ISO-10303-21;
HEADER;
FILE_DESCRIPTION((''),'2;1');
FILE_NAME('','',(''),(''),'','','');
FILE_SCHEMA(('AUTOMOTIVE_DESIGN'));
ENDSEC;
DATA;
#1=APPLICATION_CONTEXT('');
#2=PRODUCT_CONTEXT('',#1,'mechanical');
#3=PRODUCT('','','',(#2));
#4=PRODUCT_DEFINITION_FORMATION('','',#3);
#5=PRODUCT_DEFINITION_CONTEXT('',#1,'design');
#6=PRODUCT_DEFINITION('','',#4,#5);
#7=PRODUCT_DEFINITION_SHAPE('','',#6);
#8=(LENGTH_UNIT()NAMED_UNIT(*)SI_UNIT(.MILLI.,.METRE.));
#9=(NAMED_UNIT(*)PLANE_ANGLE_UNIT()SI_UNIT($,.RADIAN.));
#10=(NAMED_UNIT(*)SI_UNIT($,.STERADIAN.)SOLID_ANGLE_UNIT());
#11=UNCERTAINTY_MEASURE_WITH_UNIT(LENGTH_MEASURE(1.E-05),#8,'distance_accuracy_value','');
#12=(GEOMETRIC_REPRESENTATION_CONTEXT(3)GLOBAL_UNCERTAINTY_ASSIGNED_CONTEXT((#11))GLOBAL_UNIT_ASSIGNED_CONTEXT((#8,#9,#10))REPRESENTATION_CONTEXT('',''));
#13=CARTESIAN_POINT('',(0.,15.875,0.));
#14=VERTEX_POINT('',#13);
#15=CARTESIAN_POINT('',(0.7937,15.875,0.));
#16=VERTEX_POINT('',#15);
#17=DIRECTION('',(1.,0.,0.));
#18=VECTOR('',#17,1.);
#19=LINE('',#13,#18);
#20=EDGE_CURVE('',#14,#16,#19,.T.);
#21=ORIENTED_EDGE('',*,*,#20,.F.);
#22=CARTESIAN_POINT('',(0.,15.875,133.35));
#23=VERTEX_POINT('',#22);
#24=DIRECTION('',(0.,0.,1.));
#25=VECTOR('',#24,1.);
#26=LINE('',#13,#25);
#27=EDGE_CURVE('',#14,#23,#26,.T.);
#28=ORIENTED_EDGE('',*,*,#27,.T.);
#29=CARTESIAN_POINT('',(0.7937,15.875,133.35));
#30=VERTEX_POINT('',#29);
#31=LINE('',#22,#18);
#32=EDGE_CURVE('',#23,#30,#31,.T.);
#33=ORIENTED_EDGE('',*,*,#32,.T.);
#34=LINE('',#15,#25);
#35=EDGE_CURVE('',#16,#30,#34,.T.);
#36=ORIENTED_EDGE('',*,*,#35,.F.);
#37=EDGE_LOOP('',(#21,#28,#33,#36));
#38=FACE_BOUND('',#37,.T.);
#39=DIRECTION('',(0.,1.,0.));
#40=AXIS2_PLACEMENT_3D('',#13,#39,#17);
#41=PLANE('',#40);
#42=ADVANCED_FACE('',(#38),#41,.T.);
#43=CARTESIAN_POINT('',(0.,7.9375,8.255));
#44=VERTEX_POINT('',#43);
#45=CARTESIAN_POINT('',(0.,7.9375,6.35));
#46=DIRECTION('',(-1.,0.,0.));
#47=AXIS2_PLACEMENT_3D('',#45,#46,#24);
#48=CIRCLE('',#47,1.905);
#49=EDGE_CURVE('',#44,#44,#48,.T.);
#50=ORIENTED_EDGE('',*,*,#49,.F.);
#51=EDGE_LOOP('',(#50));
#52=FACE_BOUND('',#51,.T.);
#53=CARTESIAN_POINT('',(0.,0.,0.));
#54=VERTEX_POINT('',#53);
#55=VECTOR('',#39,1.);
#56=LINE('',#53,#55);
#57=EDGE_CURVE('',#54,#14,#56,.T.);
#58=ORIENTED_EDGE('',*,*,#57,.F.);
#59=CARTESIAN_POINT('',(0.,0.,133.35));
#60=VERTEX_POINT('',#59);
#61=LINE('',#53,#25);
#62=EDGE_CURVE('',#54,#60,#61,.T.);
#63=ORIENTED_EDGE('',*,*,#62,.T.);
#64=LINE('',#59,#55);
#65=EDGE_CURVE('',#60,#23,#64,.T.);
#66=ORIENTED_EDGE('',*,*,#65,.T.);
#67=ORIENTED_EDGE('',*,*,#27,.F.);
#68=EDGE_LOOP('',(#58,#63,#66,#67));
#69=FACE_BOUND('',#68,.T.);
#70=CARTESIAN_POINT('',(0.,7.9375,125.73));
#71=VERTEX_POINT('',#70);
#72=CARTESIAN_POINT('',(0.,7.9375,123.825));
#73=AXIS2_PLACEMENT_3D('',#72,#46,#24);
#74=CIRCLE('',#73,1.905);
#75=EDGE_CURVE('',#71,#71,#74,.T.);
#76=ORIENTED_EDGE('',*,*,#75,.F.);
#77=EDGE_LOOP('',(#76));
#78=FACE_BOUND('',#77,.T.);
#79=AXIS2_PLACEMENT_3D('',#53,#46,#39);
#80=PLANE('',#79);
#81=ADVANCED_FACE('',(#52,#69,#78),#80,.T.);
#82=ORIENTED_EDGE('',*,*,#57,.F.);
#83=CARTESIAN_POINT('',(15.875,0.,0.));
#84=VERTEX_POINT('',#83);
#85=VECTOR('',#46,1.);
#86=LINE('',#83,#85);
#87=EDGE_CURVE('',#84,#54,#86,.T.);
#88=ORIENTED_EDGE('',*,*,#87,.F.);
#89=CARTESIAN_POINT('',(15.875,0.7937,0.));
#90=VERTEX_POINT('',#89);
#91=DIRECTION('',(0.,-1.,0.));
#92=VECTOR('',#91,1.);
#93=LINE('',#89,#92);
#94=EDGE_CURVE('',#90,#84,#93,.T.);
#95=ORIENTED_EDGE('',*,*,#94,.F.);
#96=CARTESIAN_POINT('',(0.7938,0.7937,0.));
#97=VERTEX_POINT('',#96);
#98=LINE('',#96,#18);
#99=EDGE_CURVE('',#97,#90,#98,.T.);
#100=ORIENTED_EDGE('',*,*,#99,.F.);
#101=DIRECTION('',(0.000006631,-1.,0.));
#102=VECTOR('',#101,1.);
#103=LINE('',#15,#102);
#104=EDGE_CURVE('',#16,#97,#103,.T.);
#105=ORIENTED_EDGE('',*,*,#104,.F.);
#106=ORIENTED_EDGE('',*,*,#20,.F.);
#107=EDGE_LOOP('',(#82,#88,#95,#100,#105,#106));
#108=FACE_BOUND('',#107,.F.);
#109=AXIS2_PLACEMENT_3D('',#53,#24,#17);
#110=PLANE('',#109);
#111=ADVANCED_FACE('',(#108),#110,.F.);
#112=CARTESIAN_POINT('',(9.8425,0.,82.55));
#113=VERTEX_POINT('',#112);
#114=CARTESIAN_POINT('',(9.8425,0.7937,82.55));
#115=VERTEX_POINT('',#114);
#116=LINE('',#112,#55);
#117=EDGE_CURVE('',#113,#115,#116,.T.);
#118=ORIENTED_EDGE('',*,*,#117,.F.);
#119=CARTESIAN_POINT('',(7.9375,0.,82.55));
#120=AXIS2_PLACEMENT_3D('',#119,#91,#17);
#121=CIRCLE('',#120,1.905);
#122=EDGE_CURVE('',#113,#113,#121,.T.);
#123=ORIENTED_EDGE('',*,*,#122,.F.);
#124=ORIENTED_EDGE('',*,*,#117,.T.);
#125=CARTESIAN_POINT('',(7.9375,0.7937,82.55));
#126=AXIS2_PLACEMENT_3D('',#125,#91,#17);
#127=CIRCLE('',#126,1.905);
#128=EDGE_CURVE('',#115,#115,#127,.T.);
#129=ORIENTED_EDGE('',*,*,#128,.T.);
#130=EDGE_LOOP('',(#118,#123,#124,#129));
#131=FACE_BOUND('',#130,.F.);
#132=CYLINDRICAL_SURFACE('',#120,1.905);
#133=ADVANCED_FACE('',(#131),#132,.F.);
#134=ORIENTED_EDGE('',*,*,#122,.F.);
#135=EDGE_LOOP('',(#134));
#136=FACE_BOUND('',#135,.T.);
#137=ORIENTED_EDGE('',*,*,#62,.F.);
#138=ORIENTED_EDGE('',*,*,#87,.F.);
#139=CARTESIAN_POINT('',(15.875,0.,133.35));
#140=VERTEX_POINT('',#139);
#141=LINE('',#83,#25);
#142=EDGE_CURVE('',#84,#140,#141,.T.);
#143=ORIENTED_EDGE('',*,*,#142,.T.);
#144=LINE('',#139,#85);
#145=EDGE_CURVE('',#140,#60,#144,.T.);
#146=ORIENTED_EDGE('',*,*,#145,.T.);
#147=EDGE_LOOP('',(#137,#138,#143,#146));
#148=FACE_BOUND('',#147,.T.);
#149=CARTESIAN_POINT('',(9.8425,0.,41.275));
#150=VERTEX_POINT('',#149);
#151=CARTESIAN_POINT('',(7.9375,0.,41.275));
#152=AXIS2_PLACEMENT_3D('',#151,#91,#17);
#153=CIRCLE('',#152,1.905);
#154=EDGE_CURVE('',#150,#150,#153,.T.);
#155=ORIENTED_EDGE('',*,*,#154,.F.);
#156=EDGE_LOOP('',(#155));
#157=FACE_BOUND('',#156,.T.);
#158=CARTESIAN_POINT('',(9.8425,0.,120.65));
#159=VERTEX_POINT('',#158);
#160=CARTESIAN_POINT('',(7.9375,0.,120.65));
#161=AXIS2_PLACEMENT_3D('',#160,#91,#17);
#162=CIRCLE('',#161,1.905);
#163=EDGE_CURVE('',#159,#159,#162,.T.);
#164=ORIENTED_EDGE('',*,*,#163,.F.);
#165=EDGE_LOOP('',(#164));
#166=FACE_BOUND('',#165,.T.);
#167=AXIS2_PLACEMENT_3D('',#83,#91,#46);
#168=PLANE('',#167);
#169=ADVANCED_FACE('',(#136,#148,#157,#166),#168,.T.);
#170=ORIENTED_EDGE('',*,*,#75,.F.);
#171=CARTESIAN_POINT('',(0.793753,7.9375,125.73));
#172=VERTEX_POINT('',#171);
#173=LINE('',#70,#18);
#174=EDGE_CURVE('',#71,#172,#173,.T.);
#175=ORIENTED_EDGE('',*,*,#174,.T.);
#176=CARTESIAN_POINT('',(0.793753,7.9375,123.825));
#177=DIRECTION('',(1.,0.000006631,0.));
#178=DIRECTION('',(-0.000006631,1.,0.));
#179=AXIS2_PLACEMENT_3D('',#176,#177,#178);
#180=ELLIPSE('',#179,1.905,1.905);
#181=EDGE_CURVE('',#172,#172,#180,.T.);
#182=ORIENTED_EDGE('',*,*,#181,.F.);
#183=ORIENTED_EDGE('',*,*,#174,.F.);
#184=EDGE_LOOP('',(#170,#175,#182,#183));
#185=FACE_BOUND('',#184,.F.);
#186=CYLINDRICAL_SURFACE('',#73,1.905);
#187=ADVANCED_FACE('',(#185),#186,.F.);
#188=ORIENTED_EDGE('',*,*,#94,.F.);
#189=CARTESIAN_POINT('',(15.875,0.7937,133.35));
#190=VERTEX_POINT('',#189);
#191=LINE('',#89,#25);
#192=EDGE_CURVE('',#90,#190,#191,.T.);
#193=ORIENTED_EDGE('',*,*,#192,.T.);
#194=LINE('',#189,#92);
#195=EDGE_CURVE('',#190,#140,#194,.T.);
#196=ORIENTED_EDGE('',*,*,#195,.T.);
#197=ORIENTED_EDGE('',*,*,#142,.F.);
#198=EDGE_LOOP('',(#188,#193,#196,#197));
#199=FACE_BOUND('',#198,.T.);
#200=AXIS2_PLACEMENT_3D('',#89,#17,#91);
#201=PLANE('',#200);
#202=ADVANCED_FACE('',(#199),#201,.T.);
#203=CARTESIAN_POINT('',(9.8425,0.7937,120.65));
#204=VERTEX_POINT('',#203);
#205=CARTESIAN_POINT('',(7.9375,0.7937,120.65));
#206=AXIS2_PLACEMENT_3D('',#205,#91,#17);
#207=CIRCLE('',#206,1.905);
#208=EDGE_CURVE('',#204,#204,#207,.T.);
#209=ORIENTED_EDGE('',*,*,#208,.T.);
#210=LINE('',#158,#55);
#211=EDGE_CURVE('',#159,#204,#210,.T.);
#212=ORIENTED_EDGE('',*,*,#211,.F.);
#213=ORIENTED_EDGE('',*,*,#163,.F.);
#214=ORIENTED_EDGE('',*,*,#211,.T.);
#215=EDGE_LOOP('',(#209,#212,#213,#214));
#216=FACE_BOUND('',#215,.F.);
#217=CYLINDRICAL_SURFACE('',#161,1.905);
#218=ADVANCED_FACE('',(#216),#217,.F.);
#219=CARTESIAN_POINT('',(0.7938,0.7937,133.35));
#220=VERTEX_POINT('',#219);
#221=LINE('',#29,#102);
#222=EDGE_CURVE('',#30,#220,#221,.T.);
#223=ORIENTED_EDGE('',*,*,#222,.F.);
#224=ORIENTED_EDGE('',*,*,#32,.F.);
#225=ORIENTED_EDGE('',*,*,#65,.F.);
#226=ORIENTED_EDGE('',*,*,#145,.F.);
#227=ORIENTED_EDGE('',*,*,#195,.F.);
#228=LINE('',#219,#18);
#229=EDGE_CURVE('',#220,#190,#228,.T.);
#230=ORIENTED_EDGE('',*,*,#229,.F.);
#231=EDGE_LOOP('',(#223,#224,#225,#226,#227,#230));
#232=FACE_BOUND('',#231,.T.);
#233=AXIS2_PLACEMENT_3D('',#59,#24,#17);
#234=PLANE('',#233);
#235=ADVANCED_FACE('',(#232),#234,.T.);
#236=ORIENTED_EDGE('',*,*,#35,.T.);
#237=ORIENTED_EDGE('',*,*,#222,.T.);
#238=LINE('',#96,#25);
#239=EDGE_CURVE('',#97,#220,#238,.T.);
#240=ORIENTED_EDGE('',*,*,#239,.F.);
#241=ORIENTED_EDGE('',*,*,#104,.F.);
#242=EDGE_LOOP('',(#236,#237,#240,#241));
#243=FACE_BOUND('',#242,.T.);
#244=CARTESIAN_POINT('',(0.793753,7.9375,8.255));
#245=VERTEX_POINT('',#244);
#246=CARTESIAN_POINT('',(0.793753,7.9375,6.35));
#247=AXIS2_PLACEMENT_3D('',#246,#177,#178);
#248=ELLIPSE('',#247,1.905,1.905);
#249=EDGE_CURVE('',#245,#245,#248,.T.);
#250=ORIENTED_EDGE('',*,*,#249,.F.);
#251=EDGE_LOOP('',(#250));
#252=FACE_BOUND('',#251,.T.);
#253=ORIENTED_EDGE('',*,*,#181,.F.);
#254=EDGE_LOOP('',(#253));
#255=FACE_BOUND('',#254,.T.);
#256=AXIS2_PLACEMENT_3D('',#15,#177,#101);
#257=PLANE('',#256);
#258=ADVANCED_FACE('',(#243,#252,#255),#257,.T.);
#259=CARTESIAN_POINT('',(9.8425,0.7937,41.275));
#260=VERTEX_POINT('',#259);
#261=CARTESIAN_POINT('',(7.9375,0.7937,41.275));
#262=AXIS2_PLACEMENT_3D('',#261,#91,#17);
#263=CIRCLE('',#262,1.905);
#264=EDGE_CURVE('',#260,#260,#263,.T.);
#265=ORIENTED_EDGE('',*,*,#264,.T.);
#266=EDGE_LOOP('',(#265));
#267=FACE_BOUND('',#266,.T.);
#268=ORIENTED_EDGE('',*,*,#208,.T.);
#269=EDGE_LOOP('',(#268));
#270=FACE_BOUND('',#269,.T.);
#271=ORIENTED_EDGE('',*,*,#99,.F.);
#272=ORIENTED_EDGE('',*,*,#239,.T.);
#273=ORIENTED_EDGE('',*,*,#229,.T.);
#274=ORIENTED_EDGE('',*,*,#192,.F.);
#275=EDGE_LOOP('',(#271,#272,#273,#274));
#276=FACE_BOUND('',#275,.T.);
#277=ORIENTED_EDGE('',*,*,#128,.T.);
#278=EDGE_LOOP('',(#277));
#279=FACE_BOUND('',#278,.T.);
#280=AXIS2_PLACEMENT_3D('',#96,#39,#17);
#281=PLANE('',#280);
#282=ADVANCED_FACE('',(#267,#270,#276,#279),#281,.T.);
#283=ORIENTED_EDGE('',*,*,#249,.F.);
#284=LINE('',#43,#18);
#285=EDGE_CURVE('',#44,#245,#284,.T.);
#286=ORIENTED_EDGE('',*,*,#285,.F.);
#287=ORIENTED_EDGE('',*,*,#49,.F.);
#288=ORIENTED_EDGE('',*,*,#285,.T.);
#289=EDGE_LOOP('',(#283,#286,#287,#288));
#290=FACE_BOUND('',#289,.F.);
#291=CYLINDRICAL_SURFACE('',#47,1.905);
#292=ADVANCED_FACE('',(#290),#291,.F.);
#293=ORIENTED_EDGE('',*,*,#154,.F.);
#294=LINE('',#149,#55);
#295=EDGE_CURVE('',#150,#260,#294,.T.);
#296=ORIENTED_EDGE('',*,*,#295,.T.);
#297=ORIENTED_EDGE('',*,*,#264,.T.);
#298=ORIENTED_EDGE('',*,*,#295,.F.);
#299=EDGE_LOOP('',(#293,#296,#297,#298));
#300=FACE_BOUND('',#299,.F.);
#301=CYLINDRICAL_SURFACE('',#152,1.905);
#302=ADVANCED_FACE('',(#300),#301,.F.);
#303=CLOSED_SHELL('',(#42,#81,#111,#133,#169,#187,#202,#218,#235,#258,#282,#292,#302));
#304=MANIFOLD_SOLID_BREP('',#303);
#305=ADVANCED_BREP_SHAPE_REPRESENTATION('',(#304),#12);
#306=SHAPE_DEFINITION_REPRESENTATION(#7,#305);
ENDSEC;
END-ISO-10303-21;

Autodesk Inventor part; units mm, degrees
ref_plane "YZ Plane" through (0, 0, 0) normal (1, 0, 0) x (0, 1, 0)
ref_plane "XZ Plane" through (0, 0, 0) normal (0, 1, 0) x (-1, 0, 0)
ref_plane "XY Plane" through (0, 0, 0) normal (0, 0, 1) x (1, 0, 0)
sketch "Sketch1" plane through (0, 0, 0) normal (0, 0, 1) x (1, 0, 0)
  line L0 (0, 0) -> (0, 15.875)
  line L1 (0, 15.875) -> (0.7937, 15.875)
  line L2 (0.7937, 15.875) -> (0.7938, 0.7937)
  line L3 (0.7938, 0.7937) -> (15.875, 0.7937)
  line L4 (15.875, 0.7937) -> (15.875, 0)
  line L5 (15.875, 0) -> (0, 0)
  dimension "d0" = 15.875
  dimension "d1" = 0.7937
extrude "Extrusion1" add sketch "Sketch1" along normal blind 133.35
sketch "Sketch2" plane through (0, 0, 0) normal (0, -1, 0) x (1, 0, 0)
  line L0 (15.875, 0) -> (0, 0) projected
  line L1 (0, 133.35) -> (15.875, 133.35) projected
  line L2 (7.9375, 133.35) -> (7.9375, 0) construction
  circle A0 centre (7.9375, 120.65) radius 1.905
  circle A1 centre (7.9375, 41.275) radius 1.905
  circle A2 centre (7.9375, 82.55) radius 1.905
  dimension "d4" = 3.81
  dimension "d6" = 12.7
  dimension "d7" = 41.275
  dimension "d16" = 38.1
extrude "Extrusion2" cut sketch "Sketch2" against normal through all
sketch "Sketch3" plane through (0, 0, 0) normal (-1, 0, 0) x (0, 0, 1)
  line L0 (0, 0) -> (0, 15.875) projected
  line L1 (133.35, 15.875) -> (133.35, 0) projected
  line L2 (0, 7.9375) -> (133.35, 7.9375) construction
  circle A0 centre (6.35, 7.9375) radius 1.905
  circle A1 centre (123.825, 7.9375) radius 1.905
  dimension "d11" = 3.81
  dimension "d12" = 9.525
  dimension "d13" = 6.35
extrude "Extrusion3" cut sketch "Sketch3" against normal through all
properties part number "Hopper Bracing P3" material "Aluminum 6061"
